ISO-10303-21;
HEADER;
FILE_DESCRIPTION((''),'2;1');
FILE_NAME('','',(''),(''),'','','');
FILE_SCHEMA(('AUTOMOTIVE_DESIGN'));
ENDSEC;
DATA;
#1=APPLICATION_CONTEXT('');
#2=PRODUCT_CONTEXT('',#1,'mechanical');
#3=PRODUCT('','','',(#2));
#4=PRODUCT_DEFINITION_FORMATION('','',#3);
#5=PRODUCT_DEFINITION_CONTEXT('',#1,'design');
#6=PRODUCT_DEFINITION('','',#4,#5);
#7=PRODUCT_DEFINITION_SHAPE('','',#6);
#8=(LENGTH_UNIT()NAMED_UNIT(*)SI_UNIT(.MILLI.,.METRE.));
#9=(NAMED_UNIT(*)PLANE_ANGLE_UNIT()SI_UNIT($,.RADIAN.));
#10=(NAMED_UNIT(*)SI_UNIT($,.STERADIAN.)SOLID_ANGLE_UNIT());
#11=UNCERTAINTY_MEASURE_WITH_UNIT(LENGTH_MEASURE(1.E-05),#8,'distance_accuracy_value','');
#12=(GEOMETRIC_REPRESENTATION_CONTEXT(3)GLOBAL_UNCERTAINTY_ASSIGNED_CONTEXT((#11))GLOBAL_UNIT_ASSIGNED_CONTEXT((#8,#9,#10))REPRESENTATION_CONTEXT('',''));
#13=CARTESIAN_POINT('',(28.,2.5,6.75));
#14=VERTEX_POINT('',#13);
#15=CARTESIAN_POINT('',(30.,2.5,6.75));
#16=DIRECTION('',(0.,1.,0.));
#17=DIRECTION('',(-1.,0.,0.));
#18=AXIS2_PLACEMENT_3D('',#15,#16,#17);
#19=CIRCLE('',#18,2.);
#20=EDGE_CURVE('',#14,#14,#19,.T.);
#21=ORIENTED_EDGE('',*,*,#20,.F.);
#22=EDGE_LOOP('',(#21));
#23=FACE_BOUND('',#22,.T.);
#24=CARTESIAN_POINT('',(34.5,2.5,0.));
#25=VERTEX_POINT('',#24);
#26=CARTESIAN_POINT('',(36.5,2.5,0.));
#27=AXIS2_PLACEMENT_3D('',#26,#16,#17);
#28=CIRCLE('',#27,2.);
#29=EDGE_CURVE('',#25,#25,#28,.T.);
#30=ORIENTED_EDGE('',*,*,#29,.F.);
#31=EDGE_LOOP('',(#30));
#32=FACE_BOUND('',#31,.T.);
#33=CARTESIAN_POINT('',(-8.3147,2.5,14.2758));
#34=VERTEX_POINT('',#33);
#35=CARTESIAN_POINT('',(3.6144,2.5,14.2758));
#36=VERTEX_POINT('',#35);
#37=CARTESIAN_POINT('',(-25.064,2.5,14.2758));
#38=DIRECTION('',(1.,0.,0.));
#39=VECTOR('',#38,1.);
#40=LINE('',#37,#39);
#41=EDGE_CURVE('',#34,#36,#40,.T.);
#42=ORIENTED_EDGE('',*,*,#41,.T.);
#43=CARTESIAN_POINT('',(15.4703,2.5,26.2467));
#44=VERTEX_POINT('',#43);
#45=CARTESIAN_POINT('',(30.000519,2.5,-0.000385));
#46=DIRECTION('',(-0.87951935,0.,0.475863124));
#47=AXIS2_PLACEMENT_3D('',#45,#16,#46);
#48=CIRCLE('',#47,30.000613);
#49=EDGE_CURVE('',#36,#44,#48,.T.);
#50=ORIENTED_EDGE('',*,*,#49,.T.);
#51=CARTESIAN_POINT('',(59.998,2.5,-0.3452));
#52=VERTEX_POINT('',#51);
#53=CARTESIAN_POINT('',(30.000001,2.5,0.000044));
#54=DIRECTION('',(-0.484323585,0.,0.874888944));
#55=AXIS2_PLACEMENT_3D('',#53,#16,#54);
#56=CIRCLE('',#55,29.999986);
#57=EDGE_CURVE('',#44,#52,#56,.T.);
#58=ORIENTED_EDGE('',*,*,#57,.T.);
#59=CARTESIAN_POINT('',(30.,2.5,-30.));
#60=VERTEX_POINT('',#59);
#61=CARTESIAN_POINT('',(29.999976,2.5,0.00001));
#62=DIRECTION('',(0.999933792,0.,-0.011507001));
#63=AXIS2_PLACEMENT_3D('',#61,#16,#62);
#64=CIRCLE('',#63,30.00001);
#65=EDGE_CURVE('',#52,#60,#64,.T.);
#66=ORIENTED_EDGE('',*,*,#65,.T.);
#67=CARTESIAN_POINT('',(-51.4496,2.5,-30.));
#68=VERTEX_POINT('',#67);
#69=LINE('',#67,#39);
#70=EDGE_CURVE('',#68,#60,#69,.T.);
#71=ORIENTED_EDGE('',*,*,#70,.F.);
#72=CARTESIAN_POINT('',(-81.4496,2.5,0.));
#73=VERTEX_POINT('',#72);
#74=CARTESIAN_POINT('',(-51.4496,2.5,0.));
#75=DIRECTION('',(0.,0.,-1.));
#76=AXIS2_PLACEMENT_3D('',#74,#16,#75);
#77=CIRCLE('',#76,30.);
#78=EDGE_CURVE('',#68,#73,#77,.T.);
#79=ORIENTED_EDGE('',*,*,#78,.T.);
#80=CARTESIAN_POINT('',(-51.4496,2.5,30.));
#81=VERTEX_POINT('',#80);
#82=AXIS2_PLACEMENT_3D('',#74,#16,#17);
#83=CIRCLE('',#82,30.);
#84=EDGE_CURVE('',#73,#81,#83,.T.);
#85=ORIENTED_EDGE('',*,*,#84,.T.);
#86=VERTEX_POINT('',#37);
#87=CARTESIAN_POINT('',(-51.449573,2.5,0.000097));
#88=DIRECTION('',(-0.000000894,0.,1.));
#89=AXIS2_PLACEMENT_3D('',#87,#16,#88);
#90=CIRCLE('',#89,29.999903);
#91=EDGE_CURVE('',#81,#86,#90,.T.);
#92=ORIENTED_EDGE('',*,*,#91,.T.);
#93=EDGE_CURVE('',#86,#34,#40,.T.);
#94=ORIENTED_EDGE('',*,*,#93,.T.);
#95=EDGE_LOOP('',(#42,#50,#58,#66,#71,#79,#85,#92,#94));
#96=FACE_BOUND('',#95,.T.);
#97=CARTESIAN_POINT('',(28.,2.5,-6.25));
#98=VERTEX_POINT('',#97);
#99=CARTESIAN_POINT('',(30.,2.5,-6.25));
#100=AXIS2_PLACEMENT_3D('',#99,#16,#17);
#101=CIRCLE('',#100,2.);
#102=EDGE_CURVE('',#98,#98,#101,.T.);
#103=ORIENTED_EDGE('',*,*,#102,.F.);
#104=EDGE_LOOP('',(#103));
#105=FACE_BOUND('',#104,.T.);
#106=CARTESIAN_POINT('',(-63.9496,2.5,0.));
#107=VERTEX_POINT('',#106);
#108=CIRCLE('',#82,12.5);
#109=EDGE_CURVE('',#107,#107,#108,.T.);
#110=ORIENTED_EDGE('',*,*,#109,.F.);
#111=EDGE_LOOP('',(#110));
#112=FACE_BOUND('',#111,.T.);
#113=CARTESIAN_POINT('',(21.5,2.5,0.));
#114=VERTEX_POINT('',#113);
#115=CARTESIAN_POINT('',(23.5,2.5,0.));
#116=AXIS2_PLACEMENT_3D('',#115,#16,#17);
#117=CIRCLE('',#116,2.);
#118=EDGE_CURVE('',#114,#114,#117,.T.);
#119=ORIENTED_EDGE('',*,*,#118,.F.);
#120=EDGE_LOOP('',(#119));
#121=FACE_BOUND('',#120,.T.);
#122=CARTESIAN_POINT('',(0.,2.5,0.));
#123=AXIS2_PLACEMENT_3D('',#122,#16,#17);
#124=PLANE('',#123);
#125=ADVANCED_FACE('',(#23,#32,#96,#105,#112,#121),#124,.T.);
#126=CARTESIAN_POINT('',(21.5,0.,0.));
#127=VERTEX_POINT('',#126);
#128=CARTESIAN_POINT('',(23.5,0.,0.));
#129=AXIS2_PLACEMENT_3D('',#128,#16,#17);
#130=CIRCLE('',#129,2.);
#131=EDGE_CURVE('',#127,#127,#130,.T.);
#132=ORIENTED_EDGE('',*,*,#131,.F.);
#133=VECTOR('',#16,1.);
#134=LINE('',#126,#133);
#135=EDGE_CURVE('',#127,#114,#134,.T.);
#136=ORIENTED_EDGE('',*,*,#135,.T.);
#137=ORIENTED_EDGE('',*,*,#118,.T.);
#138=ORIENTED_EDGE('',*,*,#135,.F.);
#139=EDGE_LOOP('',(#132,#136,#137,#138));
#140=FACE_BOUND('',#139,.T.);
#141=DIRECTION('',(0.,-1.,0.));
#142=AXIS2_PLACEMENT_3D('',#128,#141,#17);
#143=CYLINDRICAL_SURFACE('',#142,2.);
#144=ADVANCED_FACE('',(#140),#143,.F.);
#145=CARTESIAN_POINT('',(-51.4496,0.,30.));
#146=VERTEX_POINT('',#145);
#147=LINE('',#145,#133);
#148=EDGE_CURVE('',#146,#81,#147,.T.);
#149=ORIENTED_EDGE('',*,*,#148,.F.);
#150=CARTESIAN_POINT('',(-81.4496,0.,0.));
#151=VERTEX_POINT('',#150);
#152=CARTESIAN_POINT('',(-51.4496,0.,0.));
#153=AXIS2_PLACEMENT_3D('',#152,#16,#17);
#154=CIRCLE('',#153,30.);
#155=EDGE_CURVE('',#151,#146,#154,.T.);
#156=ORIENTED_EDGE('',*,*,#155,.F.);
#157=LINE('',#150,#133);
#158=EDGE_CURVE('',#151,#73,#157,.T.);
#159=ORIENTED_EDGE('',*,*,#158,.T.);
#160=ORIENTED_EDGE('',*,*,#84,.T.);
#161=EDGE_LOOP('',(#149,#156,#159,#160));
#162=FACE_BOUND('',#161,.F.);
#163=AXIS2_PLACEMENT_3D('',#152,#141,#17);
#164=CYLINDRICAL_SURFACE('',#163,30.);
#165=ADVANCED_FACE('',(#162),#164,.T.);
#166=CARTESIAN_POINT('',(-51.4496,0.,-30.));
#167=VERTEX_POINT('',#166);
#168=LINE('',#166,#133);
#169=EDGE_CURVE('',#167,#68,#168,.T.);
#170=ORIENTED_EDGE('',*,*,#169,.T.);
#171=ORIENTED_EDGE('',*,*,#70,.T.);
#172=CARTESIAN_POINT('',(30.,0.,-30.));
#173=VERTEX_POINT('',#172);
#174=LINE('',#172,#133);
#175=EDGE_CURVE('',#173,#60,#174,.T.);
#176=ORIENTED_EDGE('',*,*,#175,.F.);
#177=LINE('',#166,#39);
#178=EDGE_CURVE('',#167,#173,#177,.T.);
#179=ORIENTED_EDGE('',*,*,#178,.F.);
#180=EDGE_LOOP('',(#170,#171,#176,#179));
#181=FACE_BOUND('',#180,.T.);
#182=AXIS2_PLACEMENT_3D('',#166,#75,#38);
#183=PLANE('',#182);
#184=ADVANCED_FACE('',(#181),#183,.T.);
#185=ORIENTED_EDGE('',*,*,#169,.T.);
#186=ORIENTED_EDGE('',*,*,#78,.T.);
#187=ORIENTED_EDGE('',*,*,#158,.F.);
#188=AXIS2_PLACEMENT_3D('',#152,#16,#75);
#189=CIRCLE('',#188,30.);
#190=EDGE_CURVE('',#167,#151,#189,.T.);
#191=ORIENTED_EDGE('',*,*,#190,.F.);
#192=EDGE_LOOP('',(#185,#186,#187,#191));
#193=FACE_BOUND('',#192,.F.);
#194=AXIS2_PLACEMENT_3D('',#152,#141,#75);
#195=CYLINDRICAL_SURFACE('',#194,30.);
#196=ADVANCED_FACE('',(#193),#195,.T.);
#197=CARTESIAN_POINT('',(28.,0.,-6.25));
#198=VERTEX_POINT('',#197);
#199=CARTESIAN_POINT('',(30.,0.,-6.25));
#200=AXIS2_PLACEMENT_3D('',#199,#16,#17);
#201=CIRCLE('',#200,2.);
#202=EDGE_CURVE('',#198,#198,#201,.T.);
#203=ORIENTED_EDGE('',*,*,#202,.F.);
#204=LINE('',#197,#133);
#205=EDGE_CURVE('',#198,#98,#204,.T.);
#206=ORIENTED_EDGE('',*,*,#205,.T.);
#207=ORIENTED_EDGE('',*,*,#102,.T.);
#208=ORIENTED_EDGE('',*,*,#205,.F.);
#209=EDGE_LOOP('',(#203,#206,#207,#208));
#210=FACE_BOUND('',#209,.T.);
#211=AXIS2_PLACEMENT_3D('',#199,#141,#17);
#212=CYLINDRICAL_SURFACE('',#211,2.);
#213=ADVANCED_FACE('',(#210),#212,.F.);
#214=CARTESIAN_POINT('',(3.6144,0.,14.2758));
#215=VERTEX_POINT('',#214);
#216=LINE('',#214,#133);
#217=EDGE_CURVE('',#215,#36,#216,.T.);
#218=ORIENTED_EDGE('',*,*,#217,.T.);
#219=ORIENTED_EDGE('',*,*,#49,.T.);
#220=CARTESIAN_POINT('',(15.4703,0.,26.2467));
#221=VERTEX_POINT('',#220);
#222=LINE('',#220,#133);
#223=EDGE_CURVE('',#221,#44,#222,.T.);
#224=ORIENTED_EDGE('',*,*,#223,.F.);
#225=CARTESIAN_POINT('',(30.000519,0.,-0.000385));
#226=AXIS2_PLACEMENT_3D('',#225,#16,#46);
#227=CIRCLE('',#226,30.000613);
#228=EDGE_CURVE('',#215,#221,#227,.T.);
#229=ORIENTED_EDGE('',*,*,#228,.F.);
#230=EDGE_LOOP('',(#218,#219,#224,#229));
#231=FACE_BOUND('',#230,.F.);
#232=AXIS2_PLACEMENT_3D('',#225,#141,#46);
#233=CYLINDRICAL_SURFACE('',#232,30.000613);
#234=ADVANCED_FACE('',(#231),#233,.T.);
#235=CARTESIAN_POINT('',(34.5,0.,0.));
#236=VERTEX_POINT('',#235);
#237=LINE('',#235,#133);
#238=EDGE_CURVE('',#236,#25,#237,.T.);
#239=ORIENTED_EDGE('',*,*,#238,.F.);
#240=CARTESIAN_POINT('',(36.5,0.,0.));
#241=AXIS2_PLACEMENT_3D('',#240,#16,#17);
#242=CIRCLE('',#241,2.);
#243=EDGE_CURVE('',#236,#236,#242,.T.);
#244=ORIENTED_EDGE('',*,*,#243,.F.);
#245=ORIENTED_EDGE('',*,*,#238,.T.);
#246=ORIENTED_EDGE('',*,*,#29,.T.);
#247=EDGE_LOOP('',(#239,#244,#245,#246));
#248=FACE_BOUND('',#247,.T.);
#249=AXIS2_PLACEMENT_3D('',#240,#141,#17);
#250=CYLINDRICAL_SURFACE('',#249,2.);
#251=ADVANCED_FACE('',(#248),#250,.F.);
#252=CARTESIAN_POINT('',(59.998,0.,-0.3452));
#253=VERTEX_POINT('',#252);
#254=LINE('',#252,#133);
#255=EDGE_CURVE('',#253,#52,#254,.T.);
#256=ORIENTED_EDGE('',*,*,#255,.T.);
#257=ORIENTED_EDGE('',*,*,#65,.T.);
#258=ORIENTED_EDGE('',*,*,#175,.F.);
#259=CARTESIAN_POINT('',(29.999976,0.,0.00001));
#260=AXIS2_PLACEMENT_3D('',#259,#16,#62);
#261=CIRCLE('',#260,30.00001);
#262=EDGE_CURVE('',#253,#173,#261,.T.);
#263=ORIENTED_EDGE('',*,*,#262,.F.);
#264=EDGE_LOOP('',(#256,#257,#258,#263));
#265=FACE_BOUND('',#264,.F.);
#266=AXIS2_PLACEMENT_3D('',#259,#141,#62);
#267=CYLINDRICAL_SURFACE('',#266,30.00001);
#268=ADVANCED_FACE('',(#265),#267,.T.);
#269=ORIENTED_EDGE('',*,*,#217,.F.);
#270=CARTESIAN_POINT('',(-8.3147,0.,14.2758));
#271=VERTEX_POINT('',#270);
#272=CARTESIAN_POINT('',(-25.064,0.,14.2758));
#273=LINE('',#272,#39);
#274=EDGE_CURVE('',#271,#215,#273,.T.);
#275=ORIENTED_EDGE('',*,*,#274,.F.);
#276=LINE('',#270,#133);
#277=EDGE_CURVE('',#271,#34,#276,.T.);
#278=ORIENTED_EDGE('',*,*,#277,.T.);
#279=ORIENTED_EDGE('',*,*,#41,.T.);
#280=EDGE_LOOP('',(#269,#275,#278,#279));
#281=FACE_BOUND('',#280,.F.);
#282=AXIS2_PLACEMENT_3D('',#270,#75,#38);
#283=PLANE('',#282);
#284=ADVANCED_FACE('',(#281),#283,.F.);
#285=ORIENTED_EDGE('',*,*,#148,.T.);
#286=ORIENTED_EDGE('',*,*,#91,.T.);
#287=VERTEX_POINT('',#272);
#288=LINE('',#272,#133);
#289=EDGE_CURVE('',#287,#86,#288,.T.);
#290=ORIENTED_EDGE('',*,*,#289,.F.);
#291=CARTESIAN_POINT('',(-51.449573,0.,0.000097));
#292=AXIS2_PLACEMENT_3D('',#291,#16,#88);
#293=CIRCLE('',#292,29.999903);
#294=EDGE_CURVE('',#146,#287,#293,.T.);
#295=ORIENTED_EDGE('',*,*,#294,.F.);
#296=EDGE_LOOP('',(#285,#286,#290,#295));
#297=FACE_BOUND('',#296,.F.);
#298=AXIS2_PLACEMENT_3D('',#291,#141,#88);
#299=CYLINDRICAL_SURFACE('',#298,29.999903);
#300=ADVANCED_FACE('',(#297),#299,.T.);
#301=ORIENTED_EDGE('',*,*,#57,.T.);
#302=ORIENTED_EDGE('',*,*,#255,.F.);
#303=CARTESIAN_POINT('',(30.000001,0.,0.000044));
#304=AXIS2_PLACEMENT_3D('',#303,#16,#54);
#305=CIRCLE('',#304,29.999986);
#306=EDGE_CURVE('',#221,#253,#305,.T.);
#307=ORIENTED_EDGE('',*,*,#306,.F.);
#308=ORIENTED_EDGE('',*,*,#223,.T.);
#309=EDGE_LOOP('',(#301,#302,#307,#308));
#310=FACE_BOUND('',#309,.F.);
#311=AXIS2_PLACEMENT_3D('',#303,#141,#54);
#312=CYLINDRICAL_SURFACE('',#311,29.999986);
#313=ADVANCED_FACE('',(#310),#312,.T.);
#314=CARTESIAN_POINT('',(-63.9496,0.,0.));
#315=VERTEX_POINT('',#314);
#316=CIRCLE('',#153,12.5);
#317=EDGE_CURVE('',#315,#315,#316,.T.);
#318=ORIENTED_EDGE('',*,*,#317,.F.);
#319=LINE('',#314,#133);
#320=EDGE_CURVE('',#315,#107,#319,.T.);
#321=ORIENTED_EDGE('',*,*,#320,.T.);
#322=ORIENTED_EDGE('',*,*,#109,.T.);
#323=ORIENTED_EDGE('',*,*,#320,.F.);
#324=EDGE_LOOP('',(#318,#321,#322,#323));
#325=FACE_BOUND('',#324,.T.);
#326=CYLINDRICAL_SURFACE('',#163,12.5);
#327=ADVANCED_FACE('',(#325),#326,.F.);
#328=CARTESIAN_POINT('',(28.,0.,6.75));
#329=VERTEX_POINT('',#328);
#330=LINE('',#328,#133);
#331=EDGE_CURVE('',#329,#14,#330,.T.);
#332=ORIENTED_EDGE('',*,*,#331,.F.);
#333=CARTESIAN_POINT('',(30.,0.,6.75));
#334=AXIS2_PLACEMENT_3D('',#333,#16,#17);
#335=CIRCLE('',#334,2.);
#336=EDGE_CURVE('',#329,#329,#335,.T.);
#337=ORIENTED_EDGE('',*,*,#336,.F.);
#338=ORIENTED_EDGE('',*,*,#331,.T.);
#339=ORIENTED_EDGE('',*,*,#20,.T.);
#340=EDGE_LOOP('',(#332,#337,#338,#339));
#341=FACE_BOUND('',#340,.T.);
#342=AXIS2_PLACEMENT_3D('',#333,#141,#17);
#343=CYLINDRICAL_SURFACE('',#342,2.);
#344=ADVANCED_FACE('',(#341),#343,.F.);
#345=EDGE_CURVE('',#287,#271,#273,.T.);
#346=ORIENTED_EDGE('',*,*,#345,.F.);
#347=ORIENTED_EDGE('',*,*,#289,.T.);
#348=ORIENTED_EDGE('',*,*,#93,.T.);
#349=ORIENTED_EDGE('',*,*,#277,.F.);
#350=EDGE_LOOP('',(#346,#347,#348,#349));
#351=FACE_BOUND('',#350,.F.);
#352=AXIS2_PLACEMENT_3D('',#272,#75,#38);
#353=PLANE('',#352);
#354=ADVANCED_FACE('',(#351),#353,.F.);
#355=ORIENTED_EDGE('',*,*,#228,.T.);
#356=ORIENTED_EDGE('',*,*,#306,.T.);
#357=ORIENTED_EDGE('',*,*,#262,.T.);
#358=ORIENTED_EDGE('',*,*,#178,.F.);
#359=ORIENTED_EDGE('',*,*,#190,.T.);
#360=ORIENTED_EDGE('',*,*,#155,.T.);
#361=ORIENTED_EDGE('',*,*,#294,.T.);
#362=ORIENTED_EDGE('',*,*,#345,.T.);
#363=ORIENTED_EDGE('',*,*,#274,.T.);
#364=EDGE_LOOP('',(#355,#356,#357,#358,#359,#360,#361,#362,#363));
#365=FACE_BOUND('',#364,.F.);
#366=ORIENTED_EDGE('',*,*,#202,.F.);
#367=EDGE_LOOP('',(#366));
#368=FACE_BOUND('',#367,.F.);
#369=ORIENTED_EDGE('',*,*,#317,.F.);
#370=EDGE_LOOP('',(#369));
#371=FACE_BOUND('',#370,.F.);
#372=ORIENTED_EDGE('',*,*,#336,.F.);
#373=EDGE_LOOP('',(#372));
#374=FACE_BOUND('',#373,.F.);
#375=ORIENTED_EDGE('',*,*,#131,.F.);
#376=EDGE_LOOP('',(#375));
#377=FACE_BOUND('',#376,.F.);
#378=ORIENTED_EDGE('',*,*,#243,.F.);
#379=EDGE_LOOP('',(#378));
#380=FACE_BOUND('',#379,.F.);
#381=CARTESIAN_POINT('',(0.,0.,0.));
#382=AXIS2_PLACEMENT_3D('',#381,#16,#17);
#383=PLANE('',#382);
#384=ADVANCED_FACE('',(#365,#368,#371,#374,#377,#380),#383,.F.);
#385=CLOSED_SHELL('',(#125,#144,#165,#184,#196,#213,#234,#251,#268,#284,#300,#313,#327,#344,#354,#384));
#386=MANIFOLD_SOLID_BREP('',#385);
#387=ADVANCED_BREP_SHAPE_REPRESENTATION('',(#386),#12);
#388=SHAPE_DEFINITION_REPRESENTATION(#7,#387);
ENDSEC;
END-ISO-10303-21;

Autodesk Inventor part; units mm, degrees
sketch "Sketch1" plane through (0, 0, 0) normal (0, 1, 0) x (-1, 0, 0)
  line L0 (30, 0) -> (-30, 0) construction
  arc A0 (-30, 32.5) -> (-30, -32.5) centre (-30, 0) ccw
  circle A1 centre (-30, 0) radius 32.5 construction
  circle A2 centre (-30, 0) radius 30 construction
  circle A3 centre (-30, -6.25) radius 2
  circle A4 centre (-30, 6.75) radius 2
  arc A5 (-15.4703, 26.2467) -> (-59.998, -0.3452) centre (-30, 0) ccw
  arc A6 (-3.6144, 14.2758) -> (-15.4703, 26.2467) centre (-30, 0) ccw
  arc A7 (-2.1644, 16.7758) -> (-30, 32.5) centre (-30, 0) ccw
  line L1 (-30, -6.25) -> (-30, 6.75) construction
  line L2 (-30, 0) -> (-36.5, 0) construction
  line L3 (-30, 0) -> (-23.5, 0) construction
  line L4 (-30, 0) -> (-23.5, 0) construction
  circle A8 centre (-23.5, 0) radius 2
  circle A9 centre (-36.5, 0) radius 2
  line L5 (-30, 0) -> (-30, -6.25) construction
  line L6 (-3.6144, 14.2758) -> (-3.6144, -14.2758) construction
  line L7 (-2.1644, 16.7758) -> (-2.1644, -16.7758) construction
  line L8 (-30, 32.5) -> (52.5439, 32.5) construction
  line L9 (-2.1644, 16.7758) -> (17.8356, 16.7758) construction
  line L10 (17.8356, 16.7758) -> (17.8356, -16.7758) construction
  line L11 (17.8356, -16.7758) -> (-2.1644, -16.7758) construction
  line L12 (-3.6144, -14.2758) -> (19.2856, -14.2758) construction
  line L13 (19.2856, -14.2758) -> (19.2856, 14.2758) construction
  line L14 (-3.6144, 14.2758) -> (19.2856, 14.2758) construction
  line L15 (0, 16.7758) -> (0, -16.7758) construction
  line L16 (2.5, 0) -> (2.5, 16.7758) construction
  line L17 (2.5, 0) -> (2.5, -16.7758) construction
  line L18 (19.2856, 0) -> (21.4496, 0) construction
  line L19 (21.4496, 0) -> (21.4496, 16.7758) construction
  line L20 (21.4496, 16.7758) -> (17.8356, 16.7758) construction
  line L21 (19.2856, 14.2758) -> (19.2856, 16.7758) construction
  line L22 (21.4496, 0) -> (21.4496, -16.7758) construction
  line L23 (21.4496, -16.7758) -> (17.8356, -16.7758) construction
  line L24 (19.2856, -14.2758) -> (19.2856, -16.7758) construction
  line L25 (21.4496, 0) -> (51.4496, 0) construction
  circle A10 centre (51.4496, 0) radius 30 construction
  circle A11 centre (51.4496, 0) radius 32.5 construction
  line L26 (19.2856, 14.2758) -> (25.064, 14.2758) construction
  line L27 (20.3676, 16.7758) -> (23.614, 16.7758) construction
  line L28 (17.3742, -16.7758) -> (23.614, -16.7758) construction
  line L29 (17.8356, -14.2758) -> (22.2529, -14.2758) construction
  line L30 (22.2529, -14.2758) -> (25.064, -14.2758) construction
  arc A12 (81.4496, 0) -> (51.4496, 30) centre (51.4496, 0) ccw
  arc A13 (51.4496, -30) -> (81.4496, 0) centre (51.4496, 0) ccw
  line L31 (51.4496, 30) -> (51.4496, -30) construction
  arc A14 (51.4496, 30) -> (25.064, 14.2758) centre (51.4496, 0) ccw
  line L32 (25.064, 14.2758) -> (-3.6144, 14.2758)
  line L33 (23.614, 16.7758) -> (-2.1644, 16.7758)
  arc A15 (51.4496, -32.5) -> (83.9496, 0) centre (51.4496, 0) ccw
  arc A16 (83.9496, 0) -> (51.4496, 32.5) centre (51.4496, 0) ccw
  arc A17 (51.4496, 32.5) -> (23.614, 16.7758) centre (51.4496, 0) ccw
  circle A18 centre (51.4496, 0) radius 12.5
  line L34 (51.4496, -32.5) -> (-30, -32.5)
  line L35 (51.4496, -30) -> (-30, -30)
  arc A19 (-59.998, -0.3452) -> (-30, -30) centre (-30, 0) ccw
  line L36 (8.3147, 14.2758) -> (8.3147, 30)
  point P0 (0, 0)
  point P1 (-30, 32.5)
  point P2 (-25, 0)
  point P3 (7.8356, 16.7758)
  dimension "d1" = 30
  dimension "d2" = 65
  dimension "d12" = 60
  dimension "d25" = 4
  dimension "d28" = 4
  dimension "d51" = 13
  dimension "d60" = 6.5
  dimension "d61" = 180
  dimension "d62" = 6.5
  dimension "d63" = 4
  dimension "d64" = 4
  dimension "d65" = 6.25
  dimension "d68" = 20
  dimension "d69" = 1.45
  dimension "d70" = 1.45
  dimension "d71" = 2.5
  dimension "d72" = 2.5
  dimension "d73" = 2.1644
  dimension "d74" = 2.164
  dimension "d75" = 30
  dimension "d76" = 60
  dimension "d77" = 65
  dimension "d78" = 60
  dimension "d79" = 25
  dimension "d116" = 81.4496
  dimension "d117" = 15.7241
  dimension "d118" = 2.5
  dimension "d119" = 2.5
ref_plane "Work Plane1" through (0, -5, 0) normal (0, -1, 0) x (1, 0, 0)
ref_plane "Work Plane3" through (0, -35, 0) normal (0, -1, 0) x (1, 0, 0)
sketch "Sketch3" plane through (0, -35, 0) normal (0, -1, 0) x (1, 0, 0)
  point P0 (0, 0)
ref_plane "Work Plane4" through (0, -35, 0) normal (0, -1, 0) x (1, 0, 0)
extrude "Extrusion15" add sketch "Sketch1" along normal blind 2.5 contours L32 A14 A12 A13 L35 A19 A5 A6
properties part number "con_v8_d2_front"
